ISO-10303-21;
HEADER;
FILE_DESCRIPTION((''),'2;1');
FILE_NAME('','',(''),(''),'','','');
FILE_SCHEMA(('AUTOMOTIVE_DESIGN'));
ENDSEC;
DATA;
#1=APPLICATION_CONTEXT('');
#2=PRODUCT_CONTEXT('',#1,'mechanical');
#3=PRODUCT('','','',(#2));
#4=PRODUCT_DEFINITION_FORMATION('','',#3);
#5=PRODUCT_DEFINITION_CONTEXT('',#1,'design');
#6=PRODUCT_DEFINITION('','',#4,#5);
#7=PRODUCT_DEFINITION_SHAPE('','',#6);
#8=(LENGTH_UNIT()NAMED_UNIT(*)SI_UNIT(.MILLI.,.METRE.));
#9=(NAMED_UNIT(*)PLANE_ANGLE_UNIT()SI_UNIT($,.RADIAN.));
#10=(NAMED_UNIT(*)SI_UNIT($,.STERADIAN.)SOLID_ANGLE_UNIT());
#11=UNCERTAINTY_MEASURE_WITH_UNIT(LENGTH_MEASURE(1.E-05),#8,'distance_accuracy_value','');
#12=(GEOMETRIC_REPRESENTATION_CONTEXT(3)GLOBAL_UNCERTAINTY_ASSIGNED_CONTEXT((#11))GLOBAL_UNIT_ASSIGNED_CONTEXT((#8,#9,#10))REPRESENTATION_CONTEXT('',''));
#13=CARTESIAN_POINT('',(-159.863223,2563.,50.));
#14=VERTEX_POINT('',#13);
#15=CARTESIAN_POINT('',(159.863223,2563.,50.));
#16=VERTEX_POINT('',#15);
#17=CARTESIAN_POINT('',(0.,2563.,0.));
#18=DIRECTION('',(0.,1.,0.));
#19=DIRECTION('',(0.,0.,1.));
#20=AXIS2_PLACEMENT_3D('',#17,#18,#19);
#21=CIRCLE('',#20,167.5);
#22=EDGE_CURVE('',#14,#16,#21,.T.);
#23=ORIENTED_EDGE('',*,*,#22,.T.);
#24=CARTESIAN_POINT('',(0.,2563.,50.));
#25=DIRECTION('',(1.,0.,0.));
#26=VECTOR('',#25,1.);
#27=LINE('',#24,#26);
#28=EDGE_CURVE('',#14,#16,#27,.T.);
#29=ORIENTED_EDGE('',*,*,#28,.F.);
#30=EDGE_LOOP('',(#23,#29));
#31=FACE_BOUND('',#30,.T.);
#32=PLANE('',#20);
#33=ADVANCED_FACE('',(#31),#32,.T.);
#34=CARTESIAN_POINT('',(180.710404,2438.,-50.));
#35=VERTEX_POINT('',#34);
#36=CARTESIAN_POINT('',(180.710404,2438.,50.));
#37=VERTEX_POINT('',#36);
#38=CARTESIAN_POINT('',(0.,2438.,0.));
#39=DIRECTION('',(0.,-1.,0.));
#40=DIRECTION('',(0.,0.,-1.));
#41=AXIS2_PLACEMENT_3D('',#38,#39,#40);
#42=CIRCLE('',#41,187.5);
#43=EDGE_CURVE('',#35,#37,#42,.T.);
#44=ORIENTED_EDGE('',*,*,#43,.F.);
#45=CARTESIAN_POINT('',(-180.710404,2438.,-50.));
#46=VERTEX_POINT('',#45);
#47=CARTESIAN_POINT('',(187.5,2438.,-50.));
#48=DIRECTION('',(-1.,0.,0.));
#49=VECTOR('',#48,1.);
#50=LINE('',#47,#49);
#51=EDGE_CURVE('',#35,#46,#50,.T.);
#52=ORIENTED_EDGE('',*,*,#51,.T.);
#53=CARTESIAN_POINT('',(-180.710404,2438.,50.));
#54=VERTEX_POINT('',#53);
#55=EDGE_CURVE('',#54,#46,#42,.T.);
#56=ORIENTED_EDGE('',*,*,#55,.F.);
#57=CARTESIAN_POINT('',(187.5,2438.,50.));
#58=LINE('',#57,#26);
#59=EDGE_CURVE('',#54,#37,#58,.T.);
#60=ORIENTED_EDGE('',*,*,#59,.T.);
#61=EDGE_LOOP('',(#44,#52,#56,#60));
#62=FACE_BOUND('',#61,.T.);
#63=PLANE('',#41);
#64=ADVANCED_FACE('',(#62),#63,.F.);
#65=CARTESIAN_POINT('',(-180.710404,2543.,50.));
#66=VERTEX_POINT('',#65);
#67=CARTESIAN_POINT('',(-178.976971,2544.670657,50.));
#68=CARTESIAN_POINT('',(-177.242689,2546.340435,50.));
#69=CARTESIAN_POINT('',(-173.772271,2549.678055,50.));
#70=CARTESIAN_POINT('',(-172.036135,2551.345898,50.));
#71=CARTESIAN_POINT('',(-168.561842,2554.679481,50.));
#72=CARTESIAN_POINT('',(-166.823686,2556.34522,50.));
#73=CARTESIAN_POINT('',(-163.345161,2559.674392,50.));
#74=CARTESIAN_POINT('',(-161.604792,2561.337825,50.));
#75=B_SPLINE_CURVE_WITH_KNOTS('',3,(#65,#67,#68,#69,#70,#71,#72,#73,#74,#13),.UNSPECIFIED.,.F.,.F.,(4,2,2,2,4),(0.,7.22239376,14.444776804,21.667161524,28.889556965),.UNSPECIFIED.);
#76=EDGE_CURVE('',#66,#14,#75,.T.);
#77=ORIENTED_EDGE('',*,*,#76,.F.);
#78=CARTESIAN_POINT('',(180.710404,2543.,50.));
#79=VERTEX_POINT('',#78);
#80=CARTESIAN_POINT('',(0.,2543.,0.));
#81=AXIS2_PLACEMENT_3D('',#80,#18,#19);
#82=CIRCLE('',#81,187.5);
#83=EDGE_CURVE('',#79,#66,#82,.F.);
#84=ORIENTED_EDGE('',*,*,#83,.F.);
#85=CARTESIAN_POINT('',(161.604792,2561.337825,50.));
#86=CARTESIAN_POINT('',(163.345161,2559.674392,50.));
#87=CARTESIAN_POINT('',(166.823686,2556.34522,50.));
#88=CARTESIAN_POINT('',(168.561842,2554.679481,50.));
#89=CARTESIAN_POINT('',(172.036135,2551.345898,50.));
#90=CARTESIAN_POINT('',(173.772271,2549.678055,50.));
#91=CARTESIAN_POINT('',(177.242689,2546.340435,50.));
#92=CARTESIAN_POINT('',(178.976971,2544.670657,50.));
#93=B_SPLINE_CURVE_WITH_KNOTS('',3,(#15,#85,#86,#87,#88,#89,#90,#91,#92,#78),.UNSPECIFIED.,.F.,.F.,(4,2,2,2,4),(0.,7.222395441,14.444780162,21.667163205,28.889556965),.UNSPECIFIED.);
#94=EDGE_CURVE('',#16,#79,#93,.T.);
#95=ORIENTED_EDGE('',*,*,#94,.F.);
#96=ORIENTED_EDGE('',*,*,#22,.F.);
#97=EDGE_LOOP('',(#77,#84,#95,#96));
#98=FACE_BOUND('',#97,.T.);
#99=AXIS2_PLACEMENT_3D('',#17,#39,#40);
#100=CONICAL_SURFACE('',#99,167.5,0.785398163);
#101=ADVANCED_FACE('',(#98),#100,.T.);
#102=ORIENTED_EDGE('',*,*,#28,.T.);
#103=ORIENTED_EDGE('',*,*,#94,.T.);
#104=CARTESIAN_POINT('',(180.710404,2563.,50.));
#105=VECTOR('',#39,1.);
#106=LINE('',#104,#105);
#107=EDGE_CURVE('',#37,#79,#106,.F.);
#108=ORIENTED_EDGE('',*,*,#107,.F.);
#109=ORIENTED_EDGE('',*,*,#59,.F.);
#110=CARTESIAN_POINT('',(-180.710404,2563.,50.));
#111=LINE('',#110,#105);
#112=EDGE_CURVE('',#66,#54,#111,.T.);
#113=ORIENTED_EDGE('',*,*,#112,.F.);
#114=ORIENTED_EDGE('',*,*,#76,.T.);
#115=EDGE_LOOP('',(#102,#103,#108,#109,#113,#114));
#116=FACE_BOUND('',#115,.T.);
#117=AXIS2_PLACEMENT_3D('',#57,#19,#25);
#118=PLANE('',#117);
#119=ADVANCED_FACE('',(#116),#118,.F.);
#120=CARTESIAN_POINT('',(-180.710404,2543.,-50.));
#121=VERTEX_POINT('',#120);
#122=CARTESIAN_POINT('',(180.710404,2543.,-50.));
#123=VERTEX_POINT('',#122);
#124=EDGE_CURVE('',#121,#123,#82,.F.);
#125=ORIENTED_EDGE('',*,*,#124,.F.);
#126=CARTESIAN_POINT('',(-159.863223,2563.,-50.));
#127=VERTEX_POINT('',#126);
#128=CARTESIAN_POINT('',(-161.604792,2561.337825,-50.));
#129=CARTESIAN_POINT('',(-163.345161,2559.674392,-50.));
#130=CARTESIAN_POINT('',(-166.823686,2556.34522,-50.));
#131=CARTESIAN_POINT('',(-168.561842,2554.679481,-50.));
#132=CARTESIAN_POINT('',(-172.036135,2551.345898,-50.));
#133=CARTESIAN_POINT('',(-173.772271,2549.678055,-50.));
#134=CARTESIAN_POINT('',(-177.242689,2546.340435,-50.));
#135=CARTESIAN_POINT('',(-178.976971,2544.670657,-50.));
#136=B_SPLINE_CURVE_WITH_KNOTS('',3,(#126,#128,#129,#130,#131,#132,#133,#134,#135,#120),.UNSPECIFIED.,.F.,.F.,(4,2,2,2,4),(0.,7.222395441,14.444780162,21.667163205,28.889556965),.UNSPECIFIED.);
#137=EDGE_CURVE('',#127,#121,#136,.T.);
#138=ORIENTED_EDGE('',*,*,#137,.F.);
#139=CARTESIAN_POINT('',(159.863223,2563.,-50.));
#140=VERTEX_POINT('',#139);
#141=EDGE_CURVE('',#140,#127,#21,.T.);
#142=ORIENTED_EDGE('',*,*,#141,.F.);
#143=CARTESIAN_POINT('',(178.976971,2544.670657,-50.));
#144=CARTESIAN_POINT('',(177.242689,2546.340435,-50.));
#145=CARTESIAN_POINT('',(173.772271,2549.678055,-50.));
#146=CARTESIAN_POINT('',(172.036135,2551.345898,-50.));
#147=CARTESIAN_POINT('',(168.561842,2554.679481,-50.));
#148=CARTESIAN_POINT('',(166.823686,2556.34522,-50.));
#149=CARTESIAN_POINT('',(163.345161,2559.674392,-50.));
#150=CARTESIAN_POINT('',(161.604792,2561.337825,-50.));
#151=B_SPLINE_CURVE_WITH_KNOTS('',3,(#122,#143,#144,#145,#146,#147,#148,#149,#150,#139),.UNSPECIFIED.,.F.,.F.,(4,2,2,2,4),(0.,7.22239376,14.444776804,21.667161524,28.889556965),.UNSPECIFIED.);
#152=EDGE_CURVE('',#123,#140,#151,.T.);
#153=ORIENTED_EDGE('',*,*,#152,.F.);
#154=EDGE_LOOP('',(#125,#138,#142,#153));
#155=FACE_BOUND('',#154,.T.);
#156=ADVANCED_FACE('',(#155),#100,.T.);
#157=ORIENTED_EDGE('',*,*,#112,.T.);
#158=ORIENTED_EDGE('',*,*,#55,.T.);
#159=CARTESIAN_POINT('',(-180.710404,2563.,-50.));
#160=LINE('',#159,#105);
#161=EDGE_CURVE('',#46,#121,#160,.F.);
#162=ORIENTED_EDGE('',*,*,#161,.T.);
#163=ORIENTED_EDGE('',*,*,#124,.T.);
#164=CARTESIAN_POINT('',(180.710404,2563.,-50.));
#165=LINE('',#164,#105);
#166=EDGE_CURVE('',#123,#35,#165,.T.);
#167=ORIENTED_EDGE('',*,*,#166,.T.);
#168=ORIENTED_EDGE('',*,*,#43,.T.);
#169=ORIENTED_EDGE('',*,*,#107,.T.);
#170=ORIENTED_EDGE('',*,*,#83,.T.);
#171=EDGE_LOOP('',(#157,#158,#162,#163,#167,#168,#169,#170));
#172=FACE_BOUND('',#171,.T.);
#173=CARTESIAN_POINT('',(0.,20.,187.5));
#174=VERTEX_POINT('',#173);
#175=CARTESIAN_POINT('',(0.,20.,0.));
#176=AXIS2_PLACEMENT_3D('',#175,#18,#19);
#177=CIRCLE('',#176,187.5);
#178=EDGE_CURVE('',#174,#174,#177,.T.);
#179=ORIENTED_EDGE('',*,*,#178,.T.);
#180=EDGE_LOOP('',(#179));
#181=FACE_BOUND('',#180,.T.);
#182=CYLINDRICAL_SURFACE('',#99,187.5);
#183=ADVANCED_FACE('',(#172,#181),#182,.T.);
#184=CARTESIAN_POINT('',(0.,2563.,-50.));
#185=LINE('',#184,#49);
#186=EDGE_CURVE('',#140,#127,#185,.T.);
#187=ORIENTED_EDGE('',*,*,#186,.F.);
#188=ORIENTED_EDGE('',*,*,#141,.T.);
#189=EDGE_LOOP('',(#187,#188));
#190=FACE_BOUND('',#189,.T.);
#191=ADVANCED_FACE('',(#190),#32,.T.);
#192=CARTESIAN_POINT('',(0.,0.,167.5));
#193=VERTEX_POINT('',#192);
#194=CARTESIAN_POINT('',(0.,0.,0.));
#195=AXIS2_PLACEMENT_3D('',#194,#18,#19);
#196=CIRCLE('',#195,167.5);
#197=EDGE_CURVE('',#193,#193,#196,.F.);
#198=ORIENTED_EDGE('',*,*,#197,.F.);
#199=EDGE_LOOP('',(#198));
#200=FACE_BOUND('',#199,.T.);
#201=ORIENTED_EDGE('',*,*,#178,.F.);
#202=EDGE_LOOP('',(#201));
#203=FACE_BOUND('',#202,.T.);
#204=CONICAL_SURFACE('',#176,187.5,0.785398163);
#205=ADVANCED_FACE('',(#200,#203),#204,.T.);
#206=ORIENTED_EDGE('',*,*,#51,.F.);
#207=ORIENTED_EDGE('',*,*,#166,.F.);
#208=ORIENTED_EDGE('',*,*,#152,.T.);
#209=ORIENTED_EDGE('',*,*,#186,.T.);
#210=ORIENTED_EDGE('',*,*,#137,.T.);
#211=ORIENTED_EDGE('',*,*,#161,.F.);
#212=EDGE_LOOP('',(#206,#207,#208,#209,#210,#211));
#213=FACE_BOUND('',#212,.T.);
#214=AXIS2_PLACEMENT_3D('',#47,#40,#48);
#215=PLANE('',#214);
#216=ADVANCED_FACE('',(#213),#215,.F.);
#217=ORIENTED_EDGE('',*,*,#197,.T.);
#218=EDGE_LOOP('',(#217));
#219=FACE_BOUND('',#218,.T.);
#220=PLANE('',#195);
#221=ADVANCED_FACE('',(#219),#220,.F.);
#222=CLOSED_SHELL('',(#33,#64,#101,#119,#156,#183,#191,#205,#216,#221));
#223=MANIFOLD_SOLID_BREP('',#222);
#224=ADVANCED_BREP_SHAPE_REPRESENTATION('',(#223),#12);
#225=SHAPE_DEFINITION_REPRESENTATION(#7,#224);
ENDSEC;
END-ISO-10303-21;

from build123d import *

# Parameters (mm, degrees)
SKETCH1_R           = 187.5
BOSS_EXTRUDE1_DEPTH = 2563
SKETCH2_W           = 375
SKETCH2_H           = 100
CUT_EXTRUDE1_DEPTH  = 125
CHAMFER1_SIZE       = 20
CHAMFER2_SIZE       = 20


with BuildPart() as part:
    # Sketch1 → Boss-Extrude1 (new body)
    with BuildSketch(Plane(origin=(0, 0, 0), x_dir=(1, 0, 0), z_dir=(0, 1, 0))):
        with Locations(Location((0, 0, 0), (0, 0, 270))):
            Circle(SKETCH1_R)
    extrude(amount=BOSS_EXTRUDE1_DEPTH)

    # Sketch2 → Cut-Extrude1 (cut)
    with BuildSketch(Plane(origin=(0, 2563, 0), x_dir=(1, 0, 0), z_dir=(0, 1, 0))):
        Rectangle(SKETCH2_W, SKETCH2_H)
    extrude(amount=-CUT_EXTRUDE1_DEPTH, mode=Mode.SUBTRACT)

    # Chamfer1
    chamfer1_edges = [part.edges().sort_by_distance(p)[0] for p in [
        (0, 2563, -187.5),
        (113.536888279, 2563, 149.216704829),
    ]]
    chamfer(chamfer1_edges, length=CHAMFER1_SIZE)

    # Chamfer2
    chamfer2_edges = [part.edges().sort_by_distance(p)[0] for p in [
        (0, 0, -187.5),
    ]]
    chamfer(chamfer2_edges, length=CHAMFER2_SIZE)


solid = part.part
